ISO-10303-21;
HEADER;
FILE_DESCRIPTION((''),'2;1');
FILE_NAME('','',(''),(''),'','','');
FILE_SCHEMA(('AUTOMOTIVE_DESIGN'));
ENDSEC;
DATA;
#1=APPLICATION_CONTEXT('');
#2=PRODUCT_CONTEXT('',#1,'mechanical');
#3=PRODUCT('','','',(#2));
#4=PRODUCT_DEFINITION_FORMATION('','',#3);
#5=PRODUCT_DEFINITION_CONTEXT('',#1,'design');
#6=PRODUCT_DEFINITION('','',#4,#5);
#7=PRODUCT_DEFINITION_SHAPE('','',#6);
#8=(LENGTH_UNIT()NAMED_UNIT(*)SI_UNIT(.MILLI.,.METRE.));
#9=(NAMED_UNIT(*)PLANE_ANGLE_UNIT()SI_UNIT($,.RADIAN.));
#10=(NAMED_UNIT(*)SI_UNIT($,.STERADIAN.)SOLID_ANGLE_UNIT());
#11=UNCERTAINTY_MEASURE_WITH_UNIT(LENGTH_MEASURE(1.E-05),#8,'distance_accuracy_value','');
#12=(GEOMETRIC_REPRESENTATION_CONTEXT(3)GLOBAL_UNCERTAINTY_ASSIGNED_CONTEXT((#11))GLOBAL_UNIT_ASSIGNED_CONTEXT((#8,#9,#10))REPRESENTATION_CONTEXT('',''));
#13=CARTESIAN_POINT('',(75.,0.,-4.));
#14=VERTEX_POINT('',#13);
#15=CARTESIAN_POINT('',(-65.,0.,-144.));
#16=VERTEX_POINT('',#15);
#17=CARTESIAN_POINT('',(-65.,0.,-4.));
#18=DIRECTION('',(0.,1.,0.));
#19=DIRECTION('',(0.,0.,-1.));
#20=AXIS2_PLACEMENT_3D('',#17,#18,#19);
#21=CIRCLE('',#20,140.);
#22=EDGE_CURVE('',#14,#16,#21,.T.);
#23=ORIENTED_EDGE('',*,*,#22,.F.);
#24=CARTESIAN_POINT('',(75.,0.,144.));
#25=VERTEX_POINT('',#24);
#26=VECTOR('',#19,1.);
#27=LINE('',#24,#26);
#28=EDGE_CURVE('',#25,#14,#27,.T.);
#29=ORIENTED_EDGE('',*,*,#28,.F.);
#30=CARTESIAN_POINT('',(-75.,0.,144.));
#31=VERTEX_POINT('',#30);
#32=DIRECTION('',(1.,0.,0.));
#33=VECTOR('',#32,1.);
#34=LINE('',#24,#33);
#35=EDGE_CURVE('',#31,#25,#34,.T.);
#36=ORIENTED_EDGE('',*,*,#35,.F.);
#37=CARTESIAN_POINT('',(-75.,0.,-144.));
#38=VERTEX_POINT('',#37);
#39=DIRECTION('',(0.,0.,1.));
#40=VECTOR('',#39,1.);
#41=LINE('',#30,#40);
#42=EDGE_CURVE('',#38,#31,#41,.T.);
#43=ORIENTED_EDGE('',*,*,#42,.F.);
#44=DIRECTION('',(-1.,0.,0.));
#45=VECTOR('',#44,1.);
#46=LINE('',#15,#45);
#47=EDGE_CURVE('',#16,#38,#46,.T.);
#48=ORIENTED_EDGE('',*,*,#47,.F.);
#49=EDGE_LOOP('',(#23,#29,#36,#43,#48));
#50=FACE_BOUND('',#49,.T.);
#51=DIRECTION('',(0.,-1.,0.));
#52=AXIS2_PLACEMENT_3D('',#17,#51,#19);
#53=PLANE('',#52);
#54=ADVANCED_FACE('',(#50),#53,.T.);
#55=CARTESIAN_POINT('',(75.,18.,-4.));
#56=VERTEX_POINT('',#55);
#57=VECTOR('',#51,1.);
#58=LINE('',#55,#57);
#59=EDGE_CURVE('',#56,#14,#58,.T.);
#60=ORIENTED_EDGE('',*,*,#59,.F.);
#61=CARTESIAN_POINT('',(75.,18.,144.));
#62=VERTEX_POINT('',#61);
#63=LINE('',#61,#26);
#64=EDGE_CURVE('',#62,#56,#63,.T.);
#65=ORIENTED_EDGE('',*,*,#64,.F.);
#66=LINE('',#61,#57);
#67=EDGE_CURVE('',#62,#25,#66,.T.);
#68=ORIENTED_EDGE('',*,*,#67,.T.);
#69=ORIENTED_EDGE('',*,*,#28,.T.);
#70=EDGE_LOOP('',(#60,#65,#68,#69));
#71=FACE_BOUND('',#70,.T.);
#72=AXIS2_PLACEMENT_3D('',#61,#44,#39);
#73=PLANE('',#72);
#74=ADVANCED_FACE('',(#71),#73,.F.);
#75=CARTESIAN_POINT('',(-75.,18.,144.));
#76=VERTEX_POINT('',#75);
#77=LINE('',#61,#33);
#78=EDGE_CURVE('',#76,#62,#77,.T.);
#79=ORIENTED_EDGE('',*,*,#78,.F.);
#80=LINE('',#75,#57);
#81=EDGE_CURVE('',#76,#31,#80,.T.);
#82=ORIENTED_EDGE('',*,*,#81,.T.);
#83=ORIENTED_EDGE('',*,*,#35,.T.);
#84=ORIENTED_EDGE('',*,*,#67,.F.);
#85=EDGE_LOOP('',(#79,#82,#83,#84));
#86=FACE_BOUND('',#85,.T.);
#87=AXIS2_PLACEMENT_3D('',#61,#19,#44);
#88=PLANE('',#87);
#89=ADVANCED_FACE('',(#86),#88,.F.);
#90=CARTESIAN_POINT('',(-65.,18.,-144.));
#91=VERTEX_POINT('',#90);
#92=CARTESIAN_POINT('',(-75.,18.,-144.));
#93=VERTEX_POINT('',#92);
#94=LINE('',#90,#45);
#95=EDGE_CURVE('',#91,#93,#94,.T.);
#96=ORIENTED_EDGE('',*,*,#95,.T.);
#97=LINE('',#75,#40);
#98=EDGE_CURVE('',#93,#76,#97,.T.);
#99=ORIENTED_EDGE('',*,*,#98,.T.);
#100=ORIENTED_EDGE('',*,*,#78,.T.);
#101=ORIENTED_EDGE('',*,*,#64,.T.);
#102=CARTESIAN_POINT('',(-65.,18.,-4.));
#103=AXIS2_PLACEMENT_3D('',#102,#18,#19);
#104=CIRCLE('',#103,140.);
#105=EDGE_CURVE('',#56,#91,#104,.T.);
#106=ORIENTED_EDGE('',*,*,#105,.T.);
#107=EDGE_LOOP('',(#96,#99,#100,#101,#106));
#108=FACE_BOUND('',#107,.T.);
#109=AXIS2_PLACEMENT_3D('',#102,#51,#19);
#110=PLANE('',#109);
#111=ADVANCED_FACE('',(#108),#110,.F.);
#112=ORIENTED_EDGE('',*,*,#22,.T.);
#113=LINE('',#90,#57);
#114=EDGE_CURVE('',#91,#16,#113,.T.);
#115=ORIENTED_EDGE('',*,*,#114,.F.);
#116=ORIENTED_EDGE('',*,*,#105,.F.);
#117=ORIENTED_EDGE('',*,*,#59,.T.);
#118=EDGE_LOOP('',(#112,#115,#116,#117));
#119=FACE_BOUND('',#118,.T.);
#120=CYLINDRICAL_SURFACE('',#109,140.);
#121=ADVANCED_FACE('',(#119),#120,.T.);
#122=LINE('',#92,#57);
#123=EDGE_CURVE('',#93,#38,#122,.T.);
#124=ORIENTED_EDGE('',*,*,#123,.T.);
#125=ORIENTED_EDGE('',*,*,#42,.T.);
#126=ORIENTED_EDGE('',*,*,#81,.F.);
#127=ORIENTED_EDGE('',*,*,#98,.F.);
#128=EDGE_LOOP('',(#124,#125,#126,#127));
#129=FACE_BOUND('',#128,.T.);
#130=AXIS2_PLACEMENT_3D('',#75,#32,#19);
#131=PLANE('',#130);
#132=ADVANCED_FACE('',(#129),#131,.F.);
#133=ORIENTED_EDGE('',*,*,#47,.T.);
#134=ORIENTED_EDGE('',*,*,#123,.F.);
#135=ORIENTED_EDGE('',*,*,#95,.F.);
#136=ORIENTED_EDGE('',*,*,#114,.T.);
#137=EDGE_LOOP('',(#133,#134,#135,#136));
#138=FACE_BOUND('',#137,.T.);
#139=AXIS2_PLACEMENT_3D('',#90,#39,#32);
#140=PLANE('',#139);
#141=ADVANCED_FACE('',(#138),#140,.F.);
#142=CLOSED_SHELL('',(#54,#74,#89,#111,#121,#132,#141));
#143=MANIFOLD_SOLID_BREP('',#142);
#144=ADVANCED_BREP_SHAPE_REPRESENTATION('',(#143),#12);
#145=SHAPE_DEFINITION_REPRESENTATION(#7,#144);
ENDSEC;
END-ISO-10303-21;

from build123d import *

# Parameters (mm, degrees)
BOSS_EXTRUDE1_DEPTH = 18


with BuildPart() as part:
    # Sketch1 → Boss-Extrude1 (new body)
    with BuildSketch(Plane(origin=(0, 0, 0), x_dir=(1, 0, 0), z_dir=(0, 1, 0))):
        with BuildLine():
            Line((75, -144), (-75, -144))
            Line((-75, -144), (-75, 144))
            Line((-75, 144), (-65, 144))
            ThreePointArc((-65, 144), (33.994949366, 102.994949366), (75, 4))
            Line((75, 4), (75, -144))
        make_face()
    extrude(amount=BOSS_EXTRUDE1_DEPTH)


solid = part.part
